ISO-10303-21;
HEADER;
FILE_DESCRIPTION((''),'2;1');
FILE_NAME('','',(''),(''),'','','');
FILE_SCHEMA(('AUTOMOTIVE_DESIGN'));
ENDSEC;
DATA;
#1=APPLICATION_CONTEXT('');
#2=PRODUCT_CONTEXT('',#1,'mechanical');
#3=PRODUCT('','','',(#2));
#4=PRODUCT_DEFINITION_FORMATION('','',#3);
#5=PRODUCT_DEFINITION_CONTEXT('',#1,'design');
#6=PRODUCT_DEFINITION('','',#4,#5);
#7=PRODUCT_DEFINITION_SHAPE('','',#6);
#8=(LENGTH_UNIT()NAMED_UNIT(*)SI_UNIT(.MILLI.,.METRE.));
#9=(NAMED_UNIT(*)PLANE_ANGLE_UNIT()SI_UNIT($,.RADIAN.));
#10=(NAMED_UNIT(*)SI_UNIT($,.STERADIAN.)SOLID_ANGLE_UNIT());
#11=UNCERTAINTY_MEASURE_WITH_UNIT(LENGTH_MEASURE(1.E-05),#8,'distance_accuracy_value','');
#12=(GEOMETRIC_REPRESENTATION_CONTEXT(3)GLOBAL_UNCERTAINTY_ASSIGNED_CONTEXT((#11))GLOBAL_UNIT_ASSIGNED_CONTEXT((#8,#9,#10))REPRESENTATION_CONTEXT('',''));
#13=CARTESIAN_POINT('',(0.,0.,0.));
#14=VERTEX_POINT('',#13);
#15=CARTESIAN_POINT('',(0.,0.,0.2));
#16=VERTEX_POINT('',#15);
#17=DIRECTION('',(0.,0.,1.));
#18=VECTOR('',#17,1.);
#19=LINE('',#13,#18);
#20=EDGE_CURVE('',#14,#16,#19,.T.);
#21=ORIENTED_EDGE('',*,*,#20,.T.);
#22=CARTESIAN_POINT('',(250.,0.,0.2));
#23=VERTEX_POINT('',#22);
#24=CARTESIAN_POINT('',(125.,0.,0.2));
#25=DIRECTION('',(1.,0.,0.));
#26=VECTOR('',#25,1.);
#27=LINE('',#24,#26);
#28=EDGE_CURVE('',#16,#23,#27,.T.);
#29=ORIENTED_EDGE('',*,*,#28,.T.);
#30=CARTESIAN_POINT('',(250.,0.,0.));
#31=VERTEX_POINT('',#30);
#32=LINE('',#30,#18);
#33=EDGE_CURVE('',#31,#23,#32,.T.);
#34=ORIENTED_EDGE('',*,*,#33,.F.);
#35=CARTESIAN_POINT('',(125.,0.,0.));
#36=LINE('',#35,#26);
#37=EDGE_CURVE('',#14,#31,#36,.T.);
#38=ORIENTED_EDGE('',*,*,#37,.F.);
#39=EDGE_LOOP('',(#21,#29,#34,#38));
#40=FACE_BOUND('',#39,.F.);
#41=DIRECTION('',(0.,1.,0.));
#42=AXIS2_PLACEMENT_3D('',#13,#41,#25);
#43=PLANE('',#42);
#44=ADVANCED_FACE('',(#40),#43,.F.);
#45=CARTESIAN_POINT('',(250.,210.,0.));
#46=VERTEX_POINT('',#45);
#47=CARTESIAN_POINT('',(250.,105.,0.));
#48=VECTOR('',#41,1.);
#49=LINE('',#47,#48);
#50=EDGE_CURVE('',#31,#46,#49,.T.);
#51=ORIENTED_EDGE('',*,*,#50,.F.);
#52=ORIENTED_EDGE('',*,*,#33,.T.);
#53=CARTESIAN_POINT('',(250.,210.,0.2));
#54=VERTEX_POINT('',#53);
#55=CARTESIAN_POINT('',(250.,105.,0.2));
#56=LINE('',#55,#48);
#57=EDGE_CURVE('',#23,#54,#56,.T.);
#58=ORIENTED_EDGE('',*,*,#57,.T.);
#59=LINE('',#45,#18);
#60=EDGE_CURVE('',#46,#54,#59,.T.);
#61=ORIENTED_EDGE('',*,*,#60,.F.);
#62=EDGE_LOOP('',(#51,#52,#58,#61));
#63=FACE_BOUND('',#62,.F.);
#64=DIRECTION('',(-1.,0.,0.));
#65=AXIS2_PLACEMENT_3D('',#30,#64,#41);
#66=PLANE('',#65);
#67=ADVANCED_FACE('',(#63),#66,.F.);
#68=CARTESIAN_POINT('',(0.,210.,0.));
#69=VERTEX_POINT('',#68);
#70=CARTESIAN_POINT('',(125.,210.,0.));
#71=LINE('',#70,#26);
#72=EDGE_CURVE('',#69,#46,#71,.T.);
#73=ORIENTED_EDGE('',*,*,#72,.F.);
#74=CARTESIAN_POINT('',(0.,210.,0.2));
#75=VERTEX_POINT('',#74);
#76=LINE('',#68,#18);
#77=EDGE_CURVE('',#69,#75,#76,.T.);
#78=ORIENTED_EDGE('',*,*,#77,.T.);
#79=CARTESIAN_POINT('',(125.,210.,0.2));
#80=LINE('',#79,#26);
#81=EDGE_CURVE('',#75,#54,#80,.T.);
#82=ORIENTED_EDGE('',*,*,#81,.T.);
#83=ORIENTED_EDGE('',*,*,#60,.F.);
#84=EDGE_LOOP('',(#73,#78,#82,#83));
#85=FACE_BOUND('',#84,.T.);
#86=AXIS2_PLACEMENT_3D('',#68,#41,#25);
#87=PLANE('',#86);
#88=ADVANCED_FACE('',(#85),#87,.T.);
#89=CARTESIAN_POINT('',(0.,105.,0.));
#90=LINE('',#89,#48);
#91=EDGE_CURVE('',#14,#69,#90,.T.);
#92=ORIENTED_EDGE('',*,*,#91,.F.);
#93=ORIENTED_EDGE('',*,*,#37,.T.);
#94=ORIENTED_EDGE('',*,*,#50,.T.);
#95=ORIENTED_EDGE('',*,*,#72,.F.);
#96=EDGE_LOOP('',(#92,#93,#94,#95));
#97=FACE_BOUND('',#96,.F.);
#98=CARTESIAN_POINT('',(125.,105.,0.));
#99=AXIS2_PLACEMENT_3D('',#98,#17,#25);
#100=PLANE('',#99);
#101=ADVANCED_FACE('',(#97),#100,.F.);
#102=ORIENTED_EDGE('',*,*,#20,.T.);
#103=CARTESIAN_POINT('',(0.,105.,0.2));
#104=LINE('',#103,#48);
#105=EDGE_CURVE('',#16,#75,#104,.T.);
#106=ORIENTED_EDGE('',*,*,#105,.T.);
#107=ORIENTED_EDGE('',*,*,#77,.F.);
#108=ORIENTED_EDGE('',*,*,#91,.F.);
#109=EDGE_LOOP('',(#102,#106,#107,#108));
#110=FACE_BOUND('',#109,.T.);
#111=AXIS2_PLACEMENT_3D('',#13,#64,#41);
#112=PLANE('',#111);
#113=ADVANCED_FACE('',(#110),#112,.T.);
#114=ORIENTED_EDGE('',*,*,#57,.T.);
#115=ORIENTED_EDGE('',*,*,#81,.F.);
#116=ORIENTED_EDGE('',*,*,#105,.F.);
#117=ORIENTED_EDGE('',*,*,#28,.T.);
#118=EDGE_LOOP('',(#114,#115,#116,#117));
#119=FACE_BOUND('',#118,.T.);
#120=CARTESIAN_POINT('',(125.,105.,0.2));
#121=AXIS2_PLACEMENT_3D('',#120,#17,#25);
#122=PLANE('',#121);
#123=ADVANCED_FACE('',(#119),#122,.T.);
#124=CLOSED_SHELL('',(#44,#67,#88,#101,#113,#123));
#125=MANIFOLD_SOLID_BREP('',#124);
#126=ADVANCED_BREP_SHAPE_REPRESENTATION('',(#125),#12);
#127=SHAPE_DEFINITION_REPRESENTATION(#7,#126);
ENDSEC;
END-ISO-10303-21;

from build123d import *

# Parameters (mm, degrees)
BOX_W     = 250
BOX_H     = 210
BOX_DEPTH = 0.2


with BuildPart() as part:
    # Box → Box (new body)
    with BuildSketch(Plane.XY):
        with Locations((125, 105)):
            Rectangle(BOX_W, BOX_H)
    extrude(amount=BOX_DEPTH)


solid = part.part
